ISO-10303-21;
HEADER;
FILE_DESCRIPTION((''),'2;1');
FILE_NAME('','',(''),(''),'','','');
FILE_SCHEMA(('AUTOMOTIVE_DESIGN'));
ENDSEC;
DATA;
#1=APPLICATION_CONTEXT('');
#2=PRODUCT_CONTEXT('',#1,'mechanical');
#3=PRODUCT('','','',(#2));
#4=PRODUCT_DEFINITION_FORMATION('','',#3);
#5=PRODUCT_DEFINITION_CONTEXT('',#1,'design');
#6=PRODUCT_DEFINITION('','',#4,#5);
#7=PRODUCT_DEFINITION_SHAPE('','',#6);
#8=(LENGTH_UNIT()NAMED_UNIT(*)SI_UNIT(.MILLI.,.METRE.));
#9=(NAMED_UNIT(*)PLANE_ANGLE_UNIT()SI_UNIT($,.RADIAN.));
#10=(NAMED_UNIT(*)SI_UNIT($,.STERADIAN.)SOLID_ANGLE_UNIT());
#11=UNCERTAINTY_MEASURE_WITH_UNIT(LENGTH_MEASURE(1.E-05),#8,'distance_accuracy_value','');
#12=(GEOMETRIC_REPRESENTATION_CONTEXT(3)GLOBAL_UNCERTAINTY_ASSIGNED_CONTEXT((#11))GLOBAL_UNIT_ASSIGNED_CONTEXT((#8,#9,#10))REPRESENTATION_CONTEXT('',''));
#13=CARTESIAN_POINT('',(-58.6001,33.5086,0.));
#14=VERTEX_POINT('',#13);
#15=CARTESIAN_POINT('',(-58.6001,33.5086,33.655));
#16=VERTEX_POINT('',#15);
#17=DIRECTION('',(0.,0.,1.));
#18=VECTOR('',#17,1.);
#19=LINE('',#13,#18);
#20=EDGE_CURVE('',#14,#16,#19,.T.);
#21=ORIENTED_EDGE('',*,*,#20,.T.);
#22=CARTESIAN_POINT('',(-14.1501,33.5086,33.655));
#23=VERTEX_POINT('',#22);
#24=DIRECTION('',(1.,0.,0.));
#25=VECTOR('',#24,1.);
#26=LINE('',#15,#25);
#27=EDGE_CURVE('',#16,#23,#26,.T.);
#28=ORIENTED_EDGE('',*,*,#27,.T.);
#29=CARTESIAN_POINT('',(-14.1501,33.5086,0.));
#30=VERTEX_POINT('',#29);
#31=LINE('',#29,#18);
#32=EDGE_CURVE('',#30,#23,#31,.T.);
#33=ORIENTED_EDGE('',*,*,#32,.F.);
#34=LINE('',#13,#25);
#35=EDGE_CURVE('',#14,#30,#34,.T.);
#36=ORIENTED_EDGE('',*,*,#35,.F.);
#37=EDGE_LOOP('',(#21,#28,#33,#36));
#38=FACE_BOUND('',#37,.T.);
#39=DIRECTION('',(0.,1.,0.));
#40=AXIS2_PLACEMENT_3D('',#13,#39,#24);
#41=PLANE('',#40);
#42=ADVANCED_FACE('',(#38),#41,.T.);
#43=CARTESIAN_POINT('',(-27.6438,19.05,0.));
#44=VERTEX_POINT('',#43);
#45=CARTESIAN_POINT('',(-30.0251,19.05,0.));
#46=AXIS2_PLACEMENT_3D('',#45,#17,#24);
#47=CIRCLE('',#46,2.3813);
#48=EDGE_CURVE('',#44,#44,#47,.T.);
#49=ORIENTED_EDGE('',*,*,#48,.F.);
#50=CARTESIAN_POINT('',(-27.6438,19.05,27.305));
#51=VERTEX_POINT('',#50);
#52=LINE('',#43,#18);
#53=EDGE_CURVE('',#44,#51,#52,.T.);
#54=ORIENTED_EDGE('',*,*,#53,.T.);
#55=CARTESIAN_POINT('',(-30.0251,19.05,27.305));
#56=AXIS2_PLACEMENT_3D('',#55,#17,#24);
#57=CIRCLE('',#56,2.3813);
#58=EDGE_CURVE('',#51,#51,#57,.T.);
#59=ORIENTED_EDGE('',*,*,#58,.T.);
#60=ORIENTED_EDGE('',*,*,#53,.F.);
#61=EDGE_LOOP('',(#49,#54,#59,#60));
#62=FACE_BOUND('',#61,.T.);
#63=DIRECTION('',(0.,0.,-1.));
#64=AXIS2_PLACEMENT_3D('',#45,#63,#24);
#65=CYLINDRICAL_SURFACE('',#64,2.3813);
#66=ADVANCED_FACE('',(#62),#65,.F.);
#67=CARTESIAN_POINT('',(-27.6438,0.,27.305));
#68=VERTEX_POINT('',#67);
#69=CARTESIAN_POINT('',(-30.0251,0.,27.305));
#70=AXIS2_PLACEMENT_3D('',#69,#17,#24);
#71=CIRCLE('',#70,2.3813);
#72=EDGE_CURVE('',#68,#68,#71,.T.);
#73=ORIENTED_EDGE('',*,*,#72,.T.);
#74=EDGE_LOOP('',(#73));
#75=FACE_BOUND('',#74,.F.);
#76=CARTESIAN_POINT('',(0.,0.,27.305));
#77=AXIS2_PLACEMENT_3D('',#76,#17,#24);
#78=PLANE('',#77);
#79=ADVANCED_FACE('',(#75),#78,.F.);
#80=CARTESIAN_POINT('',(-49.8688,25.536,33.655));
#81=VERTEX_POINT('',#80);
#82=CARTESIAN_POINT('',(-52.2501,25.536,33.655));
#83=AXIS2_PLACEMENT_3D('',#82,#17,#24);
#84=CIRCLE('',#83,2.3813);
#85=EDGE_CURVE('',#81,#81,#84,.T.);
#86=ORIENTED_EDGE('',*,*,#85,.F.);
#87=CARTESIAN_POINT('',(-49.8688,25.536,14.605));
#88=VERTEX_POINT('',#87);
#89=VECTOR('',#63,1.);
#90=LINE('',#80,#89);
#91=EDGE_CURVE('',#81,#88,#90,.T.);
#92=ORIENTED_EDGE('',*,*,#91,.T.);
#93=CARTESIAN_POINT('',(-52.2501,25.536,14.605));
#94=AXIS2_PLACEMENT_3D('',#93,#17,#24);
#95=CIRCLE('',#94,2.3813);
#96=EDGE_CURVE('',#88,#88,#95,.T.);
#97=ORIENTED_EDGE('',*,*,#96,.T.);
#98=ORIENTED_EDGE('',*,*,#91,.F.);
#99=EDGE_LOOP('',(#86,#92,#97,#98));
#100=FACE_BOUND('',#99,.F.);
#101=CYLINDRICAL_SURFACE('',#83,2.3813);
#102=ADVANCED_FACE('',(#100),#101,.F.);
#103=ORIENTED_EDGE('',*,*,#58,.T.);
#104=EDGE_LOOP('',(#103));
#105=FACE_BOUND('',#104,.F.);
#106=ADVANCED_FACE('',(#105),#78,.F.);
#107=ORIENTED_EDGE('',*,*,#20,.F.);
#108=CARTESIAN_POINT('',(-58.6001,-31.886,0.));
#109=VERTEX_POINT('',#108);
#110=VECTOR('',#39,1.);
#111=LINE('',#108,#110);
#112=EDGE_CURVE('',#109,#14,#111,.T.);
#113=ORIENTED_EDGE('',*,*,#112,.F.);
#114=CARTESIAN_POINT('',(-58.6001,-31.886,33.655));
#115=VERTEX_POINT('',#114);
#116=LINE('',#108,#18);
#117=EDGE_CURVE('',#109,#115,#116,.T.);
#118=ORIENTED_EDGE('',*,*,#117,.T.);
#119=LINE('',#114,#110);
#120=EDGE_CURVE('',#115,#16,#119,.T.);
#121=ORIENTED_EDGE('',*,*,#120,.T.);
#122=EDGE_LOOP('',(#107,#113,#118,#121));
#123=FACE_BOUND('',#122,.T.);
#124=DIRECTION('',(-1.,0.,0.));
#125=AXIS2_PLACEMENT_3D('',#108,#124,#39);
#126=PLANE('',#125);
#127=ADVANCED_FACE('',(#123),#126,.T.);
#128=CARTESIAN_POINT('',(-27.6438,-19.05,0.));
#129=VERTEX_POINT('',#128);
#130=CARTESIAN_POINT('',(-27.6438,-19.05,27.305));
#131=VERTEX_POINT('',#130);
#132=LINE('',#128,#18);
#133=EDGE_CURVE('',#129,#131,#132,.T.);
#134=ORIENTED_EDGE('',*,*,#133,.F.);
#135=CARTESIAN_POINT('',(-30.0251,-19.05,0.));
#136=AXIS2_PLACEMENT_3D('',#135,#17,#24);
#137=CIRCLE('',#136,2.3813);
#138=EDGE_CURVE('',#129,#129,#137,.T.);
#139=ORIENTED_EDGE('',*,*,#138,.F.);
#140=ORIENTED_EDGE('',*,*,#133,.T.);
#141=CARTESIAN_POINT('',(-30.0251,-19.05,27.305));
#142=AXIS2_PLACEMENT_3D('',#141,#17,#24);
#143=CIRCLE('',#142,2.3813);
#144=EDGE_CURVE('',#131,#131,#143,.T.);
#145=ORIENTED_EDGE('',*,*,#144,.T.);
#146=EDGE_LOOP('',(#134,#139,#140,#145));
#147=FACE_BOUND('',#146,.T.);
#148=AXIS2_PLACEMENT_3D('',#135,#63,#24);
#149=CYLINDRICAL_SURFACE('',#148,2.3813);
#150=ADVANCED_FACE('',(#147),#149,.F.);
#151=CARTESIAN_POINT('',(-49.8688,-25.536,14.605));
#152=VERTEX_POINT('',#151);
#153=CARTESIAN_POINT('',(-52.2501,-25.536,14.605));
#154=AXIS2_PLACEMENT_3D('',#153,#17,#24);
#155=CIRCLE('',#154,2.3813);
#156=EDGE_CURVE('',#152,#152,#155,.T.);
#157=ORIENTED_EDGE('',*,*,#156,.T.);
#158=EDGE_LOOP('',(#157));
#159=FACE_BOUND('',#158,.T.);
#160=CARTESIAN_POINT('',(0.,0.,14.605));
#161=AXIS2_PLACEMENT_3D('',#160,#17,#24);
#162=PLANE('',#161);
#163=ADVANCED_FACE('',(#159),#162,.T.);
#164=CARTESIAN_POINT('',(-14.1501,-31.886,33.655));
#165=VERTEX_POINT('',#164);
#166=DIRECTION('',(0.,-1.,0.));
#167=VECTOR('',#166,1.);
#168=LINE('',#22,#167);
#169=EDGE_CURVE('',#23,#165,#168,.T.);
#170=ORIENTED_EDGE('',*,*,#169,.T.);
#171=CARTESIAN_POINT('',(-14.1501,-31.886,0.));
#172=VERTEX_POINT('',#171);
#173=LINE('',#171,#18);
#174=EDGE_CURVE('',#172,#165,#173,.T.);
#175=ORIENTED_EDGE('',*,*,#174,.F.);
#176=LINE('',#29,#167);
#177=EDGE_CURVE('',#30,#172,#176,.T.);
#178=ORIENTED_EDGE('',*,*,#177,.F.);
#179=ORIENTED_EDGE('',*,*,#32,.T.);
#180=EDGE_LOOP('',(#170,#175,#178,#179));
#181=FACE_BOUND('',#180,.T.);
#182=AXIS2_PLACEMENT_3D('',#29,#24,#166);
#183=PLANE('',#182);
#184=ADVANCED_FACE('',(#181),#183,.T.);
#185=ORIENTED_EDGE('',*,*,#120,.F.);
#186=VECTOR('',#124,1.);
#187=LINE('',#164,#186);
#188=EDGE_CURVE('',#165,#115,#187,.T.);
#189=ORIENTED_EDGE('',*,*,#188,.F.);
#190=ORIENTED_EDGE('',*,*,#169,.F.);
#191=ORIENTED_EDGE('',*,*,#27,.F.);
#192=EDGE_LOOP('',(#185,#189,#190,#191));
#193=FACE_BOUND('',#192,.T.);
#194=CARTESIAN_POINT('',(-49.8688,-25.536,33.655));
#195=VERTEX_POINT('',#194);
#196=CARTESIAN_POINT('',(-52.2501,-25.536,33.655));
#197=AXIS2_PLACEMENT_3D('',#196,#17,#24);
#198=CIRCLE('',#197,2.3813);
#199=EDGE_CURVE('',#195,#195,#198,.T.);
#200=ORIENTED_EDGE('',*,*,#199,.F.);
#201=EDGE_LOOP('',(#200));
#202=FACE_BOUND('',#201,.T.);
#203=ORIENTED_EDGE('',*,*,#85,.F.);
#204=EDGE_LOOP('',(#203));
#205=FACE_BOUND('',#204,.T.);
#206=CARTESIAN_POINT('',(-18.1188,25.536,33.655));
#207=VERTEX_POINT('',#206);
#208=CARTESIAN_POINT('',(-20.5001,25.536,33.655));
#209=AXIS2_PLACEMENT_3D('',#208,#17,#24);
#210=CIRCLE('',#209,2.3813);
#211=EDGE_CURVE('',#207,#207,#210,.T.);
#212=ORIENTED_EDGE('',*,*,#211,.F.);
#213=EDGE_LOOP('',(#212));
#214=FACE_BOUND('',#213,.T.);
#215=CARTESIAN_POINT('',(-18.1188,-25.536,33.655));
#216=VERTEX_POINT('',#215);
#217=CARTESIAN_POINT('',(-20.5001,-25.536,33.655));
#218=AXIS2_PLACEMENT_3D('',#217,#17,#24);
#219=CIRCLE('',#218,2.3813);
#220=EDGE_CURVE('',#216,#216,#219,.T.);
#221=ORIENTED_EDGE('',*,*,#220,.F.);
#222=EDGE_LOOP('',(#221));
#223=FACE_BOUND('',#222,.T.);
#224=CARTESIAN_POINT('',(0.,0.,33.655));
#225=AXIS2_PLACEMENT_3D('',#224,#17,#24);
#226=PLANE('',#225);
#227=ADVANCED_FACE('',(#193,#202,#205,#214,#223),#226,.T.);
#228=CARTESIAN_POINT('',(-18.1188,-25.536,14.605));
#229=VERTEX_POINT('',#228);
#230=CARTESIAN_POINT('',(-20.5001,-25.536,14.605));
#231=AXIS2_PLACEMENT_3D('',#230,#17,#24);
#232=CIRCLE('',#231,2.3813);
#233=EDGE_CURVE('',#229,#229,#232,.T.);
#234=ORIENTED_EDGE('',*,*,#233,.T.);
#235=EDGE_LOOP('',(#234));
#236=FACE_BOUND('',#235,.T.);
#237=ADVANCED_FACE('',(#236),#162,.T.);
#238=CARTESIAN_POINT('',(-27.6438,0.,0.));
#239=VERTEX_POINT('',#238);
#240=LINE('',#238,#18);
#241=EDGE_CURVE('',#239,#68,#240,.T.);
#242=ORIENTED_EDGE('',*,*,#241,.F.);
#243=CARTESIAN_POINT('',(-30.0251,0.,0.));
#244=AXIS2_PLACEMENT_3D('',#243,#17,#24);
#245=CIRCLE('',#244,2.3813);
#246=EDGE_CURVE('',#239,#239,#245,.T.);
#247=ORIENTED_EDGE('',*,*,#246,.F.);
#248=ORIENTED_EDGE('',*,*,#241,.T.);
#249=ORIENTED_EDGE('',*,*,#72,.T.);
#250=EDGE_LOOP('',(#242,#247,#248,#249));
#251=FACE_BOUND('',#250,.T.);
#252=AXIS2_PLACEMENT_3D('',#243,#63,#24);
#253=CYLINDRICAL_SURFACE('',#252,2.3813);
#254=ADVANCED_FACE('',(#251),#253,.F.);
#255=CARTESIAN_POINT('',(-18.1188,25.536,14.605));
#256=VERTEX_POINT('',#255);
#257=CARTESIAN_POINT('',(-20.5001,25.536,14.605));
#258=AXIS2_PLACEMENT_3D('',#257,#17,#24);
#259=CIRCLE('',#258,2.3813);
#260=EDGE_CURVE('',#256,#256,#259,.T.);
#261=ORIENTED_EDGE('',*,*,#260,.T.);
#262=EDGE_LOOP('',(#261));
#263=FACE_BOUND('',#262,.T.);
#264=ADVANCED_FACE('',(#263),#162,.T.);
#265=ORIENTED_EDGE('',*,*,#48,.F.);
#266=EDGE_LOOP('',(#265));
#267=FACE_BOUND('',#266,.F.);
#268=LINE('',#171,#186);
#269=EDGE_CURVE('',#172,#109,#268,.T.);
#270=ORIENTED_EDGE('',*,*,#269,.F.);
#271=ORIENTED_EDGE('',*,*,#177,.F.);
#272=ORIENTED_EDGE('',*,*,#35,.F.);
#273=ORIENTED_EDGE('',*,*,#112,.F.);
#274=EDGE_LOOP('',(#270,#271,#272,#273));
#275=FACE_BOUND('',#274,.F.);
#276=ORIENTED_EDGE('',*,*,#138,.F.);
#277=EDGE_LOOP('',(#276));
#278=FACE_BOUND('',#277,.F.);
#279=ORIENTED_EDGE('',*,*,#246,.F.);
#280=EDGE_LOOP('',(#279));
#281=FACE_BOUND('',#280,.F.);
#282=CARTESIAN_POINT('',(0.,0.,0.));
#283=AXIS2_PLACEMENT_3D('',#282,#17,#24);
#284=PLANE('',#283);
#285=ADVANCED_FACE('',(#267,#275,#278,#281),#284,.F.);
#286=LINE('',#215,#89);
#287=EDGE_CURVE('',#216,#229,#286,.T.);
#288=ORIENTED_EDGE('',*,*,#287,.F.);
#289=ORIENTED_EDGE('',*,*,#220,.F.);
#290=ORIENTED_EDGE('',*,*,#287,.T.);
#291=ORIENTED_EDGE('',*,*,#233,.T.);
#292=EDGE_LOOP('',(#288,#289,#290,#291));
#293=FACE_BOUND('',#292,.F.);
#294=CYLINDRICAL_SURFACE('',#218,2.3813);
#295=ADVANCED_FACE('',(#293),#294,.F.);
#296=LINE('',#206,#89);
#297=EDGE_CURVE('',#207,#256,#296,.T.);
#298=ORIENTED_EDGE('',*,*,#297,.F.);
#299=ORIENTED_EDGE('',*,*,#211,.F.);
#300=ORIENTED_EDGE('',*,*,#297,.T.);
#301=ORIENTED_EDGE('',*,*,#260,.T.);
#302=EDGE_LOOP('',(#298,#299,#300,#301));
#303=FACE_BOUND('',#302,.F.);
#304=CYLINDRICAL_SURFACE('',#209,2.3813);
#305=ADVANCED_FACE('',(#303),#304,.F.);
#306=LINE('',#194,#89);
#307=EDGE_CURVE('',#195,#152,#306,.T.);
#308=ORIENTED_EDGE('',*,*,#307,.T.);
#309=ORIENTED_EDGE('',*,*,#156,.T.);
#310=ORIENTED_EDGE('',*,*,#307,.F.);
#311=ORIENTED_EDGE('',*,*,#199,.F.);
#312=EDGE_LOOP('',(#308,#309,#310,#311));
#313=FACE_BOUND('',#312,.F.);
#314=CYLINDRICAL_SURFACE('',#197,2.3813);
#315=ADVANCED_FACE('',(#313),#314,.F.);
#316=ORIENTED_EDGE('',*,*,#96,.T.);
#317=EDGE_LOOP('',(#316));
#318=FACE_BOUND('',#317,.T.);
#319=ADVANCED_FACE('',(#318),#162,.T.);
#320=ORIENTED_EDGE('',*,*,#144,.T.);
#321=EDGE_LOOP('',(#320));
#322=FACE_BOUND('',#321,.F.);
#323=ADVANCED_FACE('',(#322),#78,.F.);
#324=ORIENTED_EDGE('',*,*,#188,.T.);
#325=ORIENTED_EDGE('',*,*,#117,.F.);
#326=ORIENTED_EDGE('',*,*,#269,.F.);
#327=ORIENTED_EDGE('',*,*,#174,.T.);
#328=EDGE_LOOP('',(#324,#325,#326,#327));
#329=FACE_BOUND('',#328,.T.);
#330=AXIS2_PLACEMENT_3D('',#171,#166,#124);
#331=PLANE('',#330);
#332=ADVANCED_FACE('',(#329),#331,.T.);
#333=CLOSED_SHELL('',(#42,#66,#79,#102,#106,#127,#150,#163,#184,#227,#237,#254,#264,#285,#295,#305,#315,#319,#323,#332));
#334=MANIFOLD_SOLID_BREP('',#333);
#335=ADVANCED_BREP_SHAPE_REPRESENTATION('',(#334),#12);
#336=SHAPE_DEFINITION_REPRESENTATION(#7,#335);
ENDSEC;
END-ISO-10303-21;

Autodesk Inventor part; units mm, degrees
ref_plane "YZ Plane" through (0, 0, 0) normal (1, 0, 0) x (0, 1, 0)
ref_plane "XZ Plane" through (0, 0, 0) normal (0, 1, 0) x (-1, 0, 0)
ref_plane "XY Plane" through (0, 0, 0) normal (0, 0, 1) x (1, 0, 0)
sketch "Sketch1" plane through (0, 0, 0) normal (0, 0, 1) x (1, 0, 0)
  line L0 (-12.7, 528.7976) -> (-12.7, -380.5224)
  line L1 (12.7, 528.7976) -> (12.7, -380.5224)
  circle A0 centre (-30.0251, 19.05) radius 2.3813 projected
  circle A1 centre (-30.0251, 0) radius 2.3813 projected
  circle A2 centre (-30.0251, -19.05) radius 2.3813 projected
  line L2 (-14.1501, -31.886) -> (-58.6001, -31.886)
  line L3 (-58.6001, -31.886) -> (-58.6001, 33.5086)
  line L4 (-58.6001, 33.5086) -> (-14.1501, 33.5086)
  line L5 (-14.1501, 33.5086) -> (-14.1501, -31.886)
  line L6 (-25.1651, -297.4161) -> (-25.1651, -366.8339) projected
  point P0 (0, 0)
  dimension "d0" = 15.875
  dimension "d1" = 28.575
extrude "Extrusion1" add sketch "Sketch1" along normal blind 33.655
sketch "Sketch2" plane through (0, 0, 33.655) normal (0, 0, 1) x (1, 0, 0)
  circle A0 centre (-30.0251, -19.05) radius 2.3813 projected
  circle A1 centre (-30.0251, 0) radius 2.3813 projected
  circle A2 centre (-30.0251, 19.05) radius 2.3813 projected
  point P0 (0, 0)
extrude "Extrusion2" add sketch "Sketch2" against normal blind 6.35
sketch "Sketch3" plane through (0, 0, 33.655) normal (0, 0, 1) x (1, 0, 0)
  circle A0 centre (-52.2501, -25.536) radius 2.3813
  line L0 (-58.6001, 33.5086) -> (-58.6001, -31.886) construction
  line L1 (-58.6001, 0) -> (-1.0342, 0) construction
  line L2 (-58.6001, -31.886) -> (-14.1501, -31.886) construction
  line L3 (-36.3751, -31.886) -> (-36.3751, 36.9987) construction
  circle A1 centre (-30.0251, -19.05) radius 2.3813 construction
  circle A2 centre (-30.0251, 0) radius 2.3813 construction
  circle A3 centre (-30.0251, 19.05) radius 2.3813 construction
  circle A4 centre (-52.2501, 25.536) radius 2.3813
  circle A5 centre (-20.5001, -25.536) radius 2.3813
  circle A6 centre (-20.5001, 25.536) radius 2.3813
  point P0 (0, 0)
  dimension "d6" = 4.7625
  dimension "d7" = 6.35
  dimension "d8" = 6.35
extrude "Extrusion3" cut sketch "Sketch3" against normal blind 19.05
sketch "Sketch4" plane through (0, 0, 33.655) normal (0, 0, 1) x (1, 0, 0)
  point P0 (0, 0)
properties part number "Transmission Clamp"
